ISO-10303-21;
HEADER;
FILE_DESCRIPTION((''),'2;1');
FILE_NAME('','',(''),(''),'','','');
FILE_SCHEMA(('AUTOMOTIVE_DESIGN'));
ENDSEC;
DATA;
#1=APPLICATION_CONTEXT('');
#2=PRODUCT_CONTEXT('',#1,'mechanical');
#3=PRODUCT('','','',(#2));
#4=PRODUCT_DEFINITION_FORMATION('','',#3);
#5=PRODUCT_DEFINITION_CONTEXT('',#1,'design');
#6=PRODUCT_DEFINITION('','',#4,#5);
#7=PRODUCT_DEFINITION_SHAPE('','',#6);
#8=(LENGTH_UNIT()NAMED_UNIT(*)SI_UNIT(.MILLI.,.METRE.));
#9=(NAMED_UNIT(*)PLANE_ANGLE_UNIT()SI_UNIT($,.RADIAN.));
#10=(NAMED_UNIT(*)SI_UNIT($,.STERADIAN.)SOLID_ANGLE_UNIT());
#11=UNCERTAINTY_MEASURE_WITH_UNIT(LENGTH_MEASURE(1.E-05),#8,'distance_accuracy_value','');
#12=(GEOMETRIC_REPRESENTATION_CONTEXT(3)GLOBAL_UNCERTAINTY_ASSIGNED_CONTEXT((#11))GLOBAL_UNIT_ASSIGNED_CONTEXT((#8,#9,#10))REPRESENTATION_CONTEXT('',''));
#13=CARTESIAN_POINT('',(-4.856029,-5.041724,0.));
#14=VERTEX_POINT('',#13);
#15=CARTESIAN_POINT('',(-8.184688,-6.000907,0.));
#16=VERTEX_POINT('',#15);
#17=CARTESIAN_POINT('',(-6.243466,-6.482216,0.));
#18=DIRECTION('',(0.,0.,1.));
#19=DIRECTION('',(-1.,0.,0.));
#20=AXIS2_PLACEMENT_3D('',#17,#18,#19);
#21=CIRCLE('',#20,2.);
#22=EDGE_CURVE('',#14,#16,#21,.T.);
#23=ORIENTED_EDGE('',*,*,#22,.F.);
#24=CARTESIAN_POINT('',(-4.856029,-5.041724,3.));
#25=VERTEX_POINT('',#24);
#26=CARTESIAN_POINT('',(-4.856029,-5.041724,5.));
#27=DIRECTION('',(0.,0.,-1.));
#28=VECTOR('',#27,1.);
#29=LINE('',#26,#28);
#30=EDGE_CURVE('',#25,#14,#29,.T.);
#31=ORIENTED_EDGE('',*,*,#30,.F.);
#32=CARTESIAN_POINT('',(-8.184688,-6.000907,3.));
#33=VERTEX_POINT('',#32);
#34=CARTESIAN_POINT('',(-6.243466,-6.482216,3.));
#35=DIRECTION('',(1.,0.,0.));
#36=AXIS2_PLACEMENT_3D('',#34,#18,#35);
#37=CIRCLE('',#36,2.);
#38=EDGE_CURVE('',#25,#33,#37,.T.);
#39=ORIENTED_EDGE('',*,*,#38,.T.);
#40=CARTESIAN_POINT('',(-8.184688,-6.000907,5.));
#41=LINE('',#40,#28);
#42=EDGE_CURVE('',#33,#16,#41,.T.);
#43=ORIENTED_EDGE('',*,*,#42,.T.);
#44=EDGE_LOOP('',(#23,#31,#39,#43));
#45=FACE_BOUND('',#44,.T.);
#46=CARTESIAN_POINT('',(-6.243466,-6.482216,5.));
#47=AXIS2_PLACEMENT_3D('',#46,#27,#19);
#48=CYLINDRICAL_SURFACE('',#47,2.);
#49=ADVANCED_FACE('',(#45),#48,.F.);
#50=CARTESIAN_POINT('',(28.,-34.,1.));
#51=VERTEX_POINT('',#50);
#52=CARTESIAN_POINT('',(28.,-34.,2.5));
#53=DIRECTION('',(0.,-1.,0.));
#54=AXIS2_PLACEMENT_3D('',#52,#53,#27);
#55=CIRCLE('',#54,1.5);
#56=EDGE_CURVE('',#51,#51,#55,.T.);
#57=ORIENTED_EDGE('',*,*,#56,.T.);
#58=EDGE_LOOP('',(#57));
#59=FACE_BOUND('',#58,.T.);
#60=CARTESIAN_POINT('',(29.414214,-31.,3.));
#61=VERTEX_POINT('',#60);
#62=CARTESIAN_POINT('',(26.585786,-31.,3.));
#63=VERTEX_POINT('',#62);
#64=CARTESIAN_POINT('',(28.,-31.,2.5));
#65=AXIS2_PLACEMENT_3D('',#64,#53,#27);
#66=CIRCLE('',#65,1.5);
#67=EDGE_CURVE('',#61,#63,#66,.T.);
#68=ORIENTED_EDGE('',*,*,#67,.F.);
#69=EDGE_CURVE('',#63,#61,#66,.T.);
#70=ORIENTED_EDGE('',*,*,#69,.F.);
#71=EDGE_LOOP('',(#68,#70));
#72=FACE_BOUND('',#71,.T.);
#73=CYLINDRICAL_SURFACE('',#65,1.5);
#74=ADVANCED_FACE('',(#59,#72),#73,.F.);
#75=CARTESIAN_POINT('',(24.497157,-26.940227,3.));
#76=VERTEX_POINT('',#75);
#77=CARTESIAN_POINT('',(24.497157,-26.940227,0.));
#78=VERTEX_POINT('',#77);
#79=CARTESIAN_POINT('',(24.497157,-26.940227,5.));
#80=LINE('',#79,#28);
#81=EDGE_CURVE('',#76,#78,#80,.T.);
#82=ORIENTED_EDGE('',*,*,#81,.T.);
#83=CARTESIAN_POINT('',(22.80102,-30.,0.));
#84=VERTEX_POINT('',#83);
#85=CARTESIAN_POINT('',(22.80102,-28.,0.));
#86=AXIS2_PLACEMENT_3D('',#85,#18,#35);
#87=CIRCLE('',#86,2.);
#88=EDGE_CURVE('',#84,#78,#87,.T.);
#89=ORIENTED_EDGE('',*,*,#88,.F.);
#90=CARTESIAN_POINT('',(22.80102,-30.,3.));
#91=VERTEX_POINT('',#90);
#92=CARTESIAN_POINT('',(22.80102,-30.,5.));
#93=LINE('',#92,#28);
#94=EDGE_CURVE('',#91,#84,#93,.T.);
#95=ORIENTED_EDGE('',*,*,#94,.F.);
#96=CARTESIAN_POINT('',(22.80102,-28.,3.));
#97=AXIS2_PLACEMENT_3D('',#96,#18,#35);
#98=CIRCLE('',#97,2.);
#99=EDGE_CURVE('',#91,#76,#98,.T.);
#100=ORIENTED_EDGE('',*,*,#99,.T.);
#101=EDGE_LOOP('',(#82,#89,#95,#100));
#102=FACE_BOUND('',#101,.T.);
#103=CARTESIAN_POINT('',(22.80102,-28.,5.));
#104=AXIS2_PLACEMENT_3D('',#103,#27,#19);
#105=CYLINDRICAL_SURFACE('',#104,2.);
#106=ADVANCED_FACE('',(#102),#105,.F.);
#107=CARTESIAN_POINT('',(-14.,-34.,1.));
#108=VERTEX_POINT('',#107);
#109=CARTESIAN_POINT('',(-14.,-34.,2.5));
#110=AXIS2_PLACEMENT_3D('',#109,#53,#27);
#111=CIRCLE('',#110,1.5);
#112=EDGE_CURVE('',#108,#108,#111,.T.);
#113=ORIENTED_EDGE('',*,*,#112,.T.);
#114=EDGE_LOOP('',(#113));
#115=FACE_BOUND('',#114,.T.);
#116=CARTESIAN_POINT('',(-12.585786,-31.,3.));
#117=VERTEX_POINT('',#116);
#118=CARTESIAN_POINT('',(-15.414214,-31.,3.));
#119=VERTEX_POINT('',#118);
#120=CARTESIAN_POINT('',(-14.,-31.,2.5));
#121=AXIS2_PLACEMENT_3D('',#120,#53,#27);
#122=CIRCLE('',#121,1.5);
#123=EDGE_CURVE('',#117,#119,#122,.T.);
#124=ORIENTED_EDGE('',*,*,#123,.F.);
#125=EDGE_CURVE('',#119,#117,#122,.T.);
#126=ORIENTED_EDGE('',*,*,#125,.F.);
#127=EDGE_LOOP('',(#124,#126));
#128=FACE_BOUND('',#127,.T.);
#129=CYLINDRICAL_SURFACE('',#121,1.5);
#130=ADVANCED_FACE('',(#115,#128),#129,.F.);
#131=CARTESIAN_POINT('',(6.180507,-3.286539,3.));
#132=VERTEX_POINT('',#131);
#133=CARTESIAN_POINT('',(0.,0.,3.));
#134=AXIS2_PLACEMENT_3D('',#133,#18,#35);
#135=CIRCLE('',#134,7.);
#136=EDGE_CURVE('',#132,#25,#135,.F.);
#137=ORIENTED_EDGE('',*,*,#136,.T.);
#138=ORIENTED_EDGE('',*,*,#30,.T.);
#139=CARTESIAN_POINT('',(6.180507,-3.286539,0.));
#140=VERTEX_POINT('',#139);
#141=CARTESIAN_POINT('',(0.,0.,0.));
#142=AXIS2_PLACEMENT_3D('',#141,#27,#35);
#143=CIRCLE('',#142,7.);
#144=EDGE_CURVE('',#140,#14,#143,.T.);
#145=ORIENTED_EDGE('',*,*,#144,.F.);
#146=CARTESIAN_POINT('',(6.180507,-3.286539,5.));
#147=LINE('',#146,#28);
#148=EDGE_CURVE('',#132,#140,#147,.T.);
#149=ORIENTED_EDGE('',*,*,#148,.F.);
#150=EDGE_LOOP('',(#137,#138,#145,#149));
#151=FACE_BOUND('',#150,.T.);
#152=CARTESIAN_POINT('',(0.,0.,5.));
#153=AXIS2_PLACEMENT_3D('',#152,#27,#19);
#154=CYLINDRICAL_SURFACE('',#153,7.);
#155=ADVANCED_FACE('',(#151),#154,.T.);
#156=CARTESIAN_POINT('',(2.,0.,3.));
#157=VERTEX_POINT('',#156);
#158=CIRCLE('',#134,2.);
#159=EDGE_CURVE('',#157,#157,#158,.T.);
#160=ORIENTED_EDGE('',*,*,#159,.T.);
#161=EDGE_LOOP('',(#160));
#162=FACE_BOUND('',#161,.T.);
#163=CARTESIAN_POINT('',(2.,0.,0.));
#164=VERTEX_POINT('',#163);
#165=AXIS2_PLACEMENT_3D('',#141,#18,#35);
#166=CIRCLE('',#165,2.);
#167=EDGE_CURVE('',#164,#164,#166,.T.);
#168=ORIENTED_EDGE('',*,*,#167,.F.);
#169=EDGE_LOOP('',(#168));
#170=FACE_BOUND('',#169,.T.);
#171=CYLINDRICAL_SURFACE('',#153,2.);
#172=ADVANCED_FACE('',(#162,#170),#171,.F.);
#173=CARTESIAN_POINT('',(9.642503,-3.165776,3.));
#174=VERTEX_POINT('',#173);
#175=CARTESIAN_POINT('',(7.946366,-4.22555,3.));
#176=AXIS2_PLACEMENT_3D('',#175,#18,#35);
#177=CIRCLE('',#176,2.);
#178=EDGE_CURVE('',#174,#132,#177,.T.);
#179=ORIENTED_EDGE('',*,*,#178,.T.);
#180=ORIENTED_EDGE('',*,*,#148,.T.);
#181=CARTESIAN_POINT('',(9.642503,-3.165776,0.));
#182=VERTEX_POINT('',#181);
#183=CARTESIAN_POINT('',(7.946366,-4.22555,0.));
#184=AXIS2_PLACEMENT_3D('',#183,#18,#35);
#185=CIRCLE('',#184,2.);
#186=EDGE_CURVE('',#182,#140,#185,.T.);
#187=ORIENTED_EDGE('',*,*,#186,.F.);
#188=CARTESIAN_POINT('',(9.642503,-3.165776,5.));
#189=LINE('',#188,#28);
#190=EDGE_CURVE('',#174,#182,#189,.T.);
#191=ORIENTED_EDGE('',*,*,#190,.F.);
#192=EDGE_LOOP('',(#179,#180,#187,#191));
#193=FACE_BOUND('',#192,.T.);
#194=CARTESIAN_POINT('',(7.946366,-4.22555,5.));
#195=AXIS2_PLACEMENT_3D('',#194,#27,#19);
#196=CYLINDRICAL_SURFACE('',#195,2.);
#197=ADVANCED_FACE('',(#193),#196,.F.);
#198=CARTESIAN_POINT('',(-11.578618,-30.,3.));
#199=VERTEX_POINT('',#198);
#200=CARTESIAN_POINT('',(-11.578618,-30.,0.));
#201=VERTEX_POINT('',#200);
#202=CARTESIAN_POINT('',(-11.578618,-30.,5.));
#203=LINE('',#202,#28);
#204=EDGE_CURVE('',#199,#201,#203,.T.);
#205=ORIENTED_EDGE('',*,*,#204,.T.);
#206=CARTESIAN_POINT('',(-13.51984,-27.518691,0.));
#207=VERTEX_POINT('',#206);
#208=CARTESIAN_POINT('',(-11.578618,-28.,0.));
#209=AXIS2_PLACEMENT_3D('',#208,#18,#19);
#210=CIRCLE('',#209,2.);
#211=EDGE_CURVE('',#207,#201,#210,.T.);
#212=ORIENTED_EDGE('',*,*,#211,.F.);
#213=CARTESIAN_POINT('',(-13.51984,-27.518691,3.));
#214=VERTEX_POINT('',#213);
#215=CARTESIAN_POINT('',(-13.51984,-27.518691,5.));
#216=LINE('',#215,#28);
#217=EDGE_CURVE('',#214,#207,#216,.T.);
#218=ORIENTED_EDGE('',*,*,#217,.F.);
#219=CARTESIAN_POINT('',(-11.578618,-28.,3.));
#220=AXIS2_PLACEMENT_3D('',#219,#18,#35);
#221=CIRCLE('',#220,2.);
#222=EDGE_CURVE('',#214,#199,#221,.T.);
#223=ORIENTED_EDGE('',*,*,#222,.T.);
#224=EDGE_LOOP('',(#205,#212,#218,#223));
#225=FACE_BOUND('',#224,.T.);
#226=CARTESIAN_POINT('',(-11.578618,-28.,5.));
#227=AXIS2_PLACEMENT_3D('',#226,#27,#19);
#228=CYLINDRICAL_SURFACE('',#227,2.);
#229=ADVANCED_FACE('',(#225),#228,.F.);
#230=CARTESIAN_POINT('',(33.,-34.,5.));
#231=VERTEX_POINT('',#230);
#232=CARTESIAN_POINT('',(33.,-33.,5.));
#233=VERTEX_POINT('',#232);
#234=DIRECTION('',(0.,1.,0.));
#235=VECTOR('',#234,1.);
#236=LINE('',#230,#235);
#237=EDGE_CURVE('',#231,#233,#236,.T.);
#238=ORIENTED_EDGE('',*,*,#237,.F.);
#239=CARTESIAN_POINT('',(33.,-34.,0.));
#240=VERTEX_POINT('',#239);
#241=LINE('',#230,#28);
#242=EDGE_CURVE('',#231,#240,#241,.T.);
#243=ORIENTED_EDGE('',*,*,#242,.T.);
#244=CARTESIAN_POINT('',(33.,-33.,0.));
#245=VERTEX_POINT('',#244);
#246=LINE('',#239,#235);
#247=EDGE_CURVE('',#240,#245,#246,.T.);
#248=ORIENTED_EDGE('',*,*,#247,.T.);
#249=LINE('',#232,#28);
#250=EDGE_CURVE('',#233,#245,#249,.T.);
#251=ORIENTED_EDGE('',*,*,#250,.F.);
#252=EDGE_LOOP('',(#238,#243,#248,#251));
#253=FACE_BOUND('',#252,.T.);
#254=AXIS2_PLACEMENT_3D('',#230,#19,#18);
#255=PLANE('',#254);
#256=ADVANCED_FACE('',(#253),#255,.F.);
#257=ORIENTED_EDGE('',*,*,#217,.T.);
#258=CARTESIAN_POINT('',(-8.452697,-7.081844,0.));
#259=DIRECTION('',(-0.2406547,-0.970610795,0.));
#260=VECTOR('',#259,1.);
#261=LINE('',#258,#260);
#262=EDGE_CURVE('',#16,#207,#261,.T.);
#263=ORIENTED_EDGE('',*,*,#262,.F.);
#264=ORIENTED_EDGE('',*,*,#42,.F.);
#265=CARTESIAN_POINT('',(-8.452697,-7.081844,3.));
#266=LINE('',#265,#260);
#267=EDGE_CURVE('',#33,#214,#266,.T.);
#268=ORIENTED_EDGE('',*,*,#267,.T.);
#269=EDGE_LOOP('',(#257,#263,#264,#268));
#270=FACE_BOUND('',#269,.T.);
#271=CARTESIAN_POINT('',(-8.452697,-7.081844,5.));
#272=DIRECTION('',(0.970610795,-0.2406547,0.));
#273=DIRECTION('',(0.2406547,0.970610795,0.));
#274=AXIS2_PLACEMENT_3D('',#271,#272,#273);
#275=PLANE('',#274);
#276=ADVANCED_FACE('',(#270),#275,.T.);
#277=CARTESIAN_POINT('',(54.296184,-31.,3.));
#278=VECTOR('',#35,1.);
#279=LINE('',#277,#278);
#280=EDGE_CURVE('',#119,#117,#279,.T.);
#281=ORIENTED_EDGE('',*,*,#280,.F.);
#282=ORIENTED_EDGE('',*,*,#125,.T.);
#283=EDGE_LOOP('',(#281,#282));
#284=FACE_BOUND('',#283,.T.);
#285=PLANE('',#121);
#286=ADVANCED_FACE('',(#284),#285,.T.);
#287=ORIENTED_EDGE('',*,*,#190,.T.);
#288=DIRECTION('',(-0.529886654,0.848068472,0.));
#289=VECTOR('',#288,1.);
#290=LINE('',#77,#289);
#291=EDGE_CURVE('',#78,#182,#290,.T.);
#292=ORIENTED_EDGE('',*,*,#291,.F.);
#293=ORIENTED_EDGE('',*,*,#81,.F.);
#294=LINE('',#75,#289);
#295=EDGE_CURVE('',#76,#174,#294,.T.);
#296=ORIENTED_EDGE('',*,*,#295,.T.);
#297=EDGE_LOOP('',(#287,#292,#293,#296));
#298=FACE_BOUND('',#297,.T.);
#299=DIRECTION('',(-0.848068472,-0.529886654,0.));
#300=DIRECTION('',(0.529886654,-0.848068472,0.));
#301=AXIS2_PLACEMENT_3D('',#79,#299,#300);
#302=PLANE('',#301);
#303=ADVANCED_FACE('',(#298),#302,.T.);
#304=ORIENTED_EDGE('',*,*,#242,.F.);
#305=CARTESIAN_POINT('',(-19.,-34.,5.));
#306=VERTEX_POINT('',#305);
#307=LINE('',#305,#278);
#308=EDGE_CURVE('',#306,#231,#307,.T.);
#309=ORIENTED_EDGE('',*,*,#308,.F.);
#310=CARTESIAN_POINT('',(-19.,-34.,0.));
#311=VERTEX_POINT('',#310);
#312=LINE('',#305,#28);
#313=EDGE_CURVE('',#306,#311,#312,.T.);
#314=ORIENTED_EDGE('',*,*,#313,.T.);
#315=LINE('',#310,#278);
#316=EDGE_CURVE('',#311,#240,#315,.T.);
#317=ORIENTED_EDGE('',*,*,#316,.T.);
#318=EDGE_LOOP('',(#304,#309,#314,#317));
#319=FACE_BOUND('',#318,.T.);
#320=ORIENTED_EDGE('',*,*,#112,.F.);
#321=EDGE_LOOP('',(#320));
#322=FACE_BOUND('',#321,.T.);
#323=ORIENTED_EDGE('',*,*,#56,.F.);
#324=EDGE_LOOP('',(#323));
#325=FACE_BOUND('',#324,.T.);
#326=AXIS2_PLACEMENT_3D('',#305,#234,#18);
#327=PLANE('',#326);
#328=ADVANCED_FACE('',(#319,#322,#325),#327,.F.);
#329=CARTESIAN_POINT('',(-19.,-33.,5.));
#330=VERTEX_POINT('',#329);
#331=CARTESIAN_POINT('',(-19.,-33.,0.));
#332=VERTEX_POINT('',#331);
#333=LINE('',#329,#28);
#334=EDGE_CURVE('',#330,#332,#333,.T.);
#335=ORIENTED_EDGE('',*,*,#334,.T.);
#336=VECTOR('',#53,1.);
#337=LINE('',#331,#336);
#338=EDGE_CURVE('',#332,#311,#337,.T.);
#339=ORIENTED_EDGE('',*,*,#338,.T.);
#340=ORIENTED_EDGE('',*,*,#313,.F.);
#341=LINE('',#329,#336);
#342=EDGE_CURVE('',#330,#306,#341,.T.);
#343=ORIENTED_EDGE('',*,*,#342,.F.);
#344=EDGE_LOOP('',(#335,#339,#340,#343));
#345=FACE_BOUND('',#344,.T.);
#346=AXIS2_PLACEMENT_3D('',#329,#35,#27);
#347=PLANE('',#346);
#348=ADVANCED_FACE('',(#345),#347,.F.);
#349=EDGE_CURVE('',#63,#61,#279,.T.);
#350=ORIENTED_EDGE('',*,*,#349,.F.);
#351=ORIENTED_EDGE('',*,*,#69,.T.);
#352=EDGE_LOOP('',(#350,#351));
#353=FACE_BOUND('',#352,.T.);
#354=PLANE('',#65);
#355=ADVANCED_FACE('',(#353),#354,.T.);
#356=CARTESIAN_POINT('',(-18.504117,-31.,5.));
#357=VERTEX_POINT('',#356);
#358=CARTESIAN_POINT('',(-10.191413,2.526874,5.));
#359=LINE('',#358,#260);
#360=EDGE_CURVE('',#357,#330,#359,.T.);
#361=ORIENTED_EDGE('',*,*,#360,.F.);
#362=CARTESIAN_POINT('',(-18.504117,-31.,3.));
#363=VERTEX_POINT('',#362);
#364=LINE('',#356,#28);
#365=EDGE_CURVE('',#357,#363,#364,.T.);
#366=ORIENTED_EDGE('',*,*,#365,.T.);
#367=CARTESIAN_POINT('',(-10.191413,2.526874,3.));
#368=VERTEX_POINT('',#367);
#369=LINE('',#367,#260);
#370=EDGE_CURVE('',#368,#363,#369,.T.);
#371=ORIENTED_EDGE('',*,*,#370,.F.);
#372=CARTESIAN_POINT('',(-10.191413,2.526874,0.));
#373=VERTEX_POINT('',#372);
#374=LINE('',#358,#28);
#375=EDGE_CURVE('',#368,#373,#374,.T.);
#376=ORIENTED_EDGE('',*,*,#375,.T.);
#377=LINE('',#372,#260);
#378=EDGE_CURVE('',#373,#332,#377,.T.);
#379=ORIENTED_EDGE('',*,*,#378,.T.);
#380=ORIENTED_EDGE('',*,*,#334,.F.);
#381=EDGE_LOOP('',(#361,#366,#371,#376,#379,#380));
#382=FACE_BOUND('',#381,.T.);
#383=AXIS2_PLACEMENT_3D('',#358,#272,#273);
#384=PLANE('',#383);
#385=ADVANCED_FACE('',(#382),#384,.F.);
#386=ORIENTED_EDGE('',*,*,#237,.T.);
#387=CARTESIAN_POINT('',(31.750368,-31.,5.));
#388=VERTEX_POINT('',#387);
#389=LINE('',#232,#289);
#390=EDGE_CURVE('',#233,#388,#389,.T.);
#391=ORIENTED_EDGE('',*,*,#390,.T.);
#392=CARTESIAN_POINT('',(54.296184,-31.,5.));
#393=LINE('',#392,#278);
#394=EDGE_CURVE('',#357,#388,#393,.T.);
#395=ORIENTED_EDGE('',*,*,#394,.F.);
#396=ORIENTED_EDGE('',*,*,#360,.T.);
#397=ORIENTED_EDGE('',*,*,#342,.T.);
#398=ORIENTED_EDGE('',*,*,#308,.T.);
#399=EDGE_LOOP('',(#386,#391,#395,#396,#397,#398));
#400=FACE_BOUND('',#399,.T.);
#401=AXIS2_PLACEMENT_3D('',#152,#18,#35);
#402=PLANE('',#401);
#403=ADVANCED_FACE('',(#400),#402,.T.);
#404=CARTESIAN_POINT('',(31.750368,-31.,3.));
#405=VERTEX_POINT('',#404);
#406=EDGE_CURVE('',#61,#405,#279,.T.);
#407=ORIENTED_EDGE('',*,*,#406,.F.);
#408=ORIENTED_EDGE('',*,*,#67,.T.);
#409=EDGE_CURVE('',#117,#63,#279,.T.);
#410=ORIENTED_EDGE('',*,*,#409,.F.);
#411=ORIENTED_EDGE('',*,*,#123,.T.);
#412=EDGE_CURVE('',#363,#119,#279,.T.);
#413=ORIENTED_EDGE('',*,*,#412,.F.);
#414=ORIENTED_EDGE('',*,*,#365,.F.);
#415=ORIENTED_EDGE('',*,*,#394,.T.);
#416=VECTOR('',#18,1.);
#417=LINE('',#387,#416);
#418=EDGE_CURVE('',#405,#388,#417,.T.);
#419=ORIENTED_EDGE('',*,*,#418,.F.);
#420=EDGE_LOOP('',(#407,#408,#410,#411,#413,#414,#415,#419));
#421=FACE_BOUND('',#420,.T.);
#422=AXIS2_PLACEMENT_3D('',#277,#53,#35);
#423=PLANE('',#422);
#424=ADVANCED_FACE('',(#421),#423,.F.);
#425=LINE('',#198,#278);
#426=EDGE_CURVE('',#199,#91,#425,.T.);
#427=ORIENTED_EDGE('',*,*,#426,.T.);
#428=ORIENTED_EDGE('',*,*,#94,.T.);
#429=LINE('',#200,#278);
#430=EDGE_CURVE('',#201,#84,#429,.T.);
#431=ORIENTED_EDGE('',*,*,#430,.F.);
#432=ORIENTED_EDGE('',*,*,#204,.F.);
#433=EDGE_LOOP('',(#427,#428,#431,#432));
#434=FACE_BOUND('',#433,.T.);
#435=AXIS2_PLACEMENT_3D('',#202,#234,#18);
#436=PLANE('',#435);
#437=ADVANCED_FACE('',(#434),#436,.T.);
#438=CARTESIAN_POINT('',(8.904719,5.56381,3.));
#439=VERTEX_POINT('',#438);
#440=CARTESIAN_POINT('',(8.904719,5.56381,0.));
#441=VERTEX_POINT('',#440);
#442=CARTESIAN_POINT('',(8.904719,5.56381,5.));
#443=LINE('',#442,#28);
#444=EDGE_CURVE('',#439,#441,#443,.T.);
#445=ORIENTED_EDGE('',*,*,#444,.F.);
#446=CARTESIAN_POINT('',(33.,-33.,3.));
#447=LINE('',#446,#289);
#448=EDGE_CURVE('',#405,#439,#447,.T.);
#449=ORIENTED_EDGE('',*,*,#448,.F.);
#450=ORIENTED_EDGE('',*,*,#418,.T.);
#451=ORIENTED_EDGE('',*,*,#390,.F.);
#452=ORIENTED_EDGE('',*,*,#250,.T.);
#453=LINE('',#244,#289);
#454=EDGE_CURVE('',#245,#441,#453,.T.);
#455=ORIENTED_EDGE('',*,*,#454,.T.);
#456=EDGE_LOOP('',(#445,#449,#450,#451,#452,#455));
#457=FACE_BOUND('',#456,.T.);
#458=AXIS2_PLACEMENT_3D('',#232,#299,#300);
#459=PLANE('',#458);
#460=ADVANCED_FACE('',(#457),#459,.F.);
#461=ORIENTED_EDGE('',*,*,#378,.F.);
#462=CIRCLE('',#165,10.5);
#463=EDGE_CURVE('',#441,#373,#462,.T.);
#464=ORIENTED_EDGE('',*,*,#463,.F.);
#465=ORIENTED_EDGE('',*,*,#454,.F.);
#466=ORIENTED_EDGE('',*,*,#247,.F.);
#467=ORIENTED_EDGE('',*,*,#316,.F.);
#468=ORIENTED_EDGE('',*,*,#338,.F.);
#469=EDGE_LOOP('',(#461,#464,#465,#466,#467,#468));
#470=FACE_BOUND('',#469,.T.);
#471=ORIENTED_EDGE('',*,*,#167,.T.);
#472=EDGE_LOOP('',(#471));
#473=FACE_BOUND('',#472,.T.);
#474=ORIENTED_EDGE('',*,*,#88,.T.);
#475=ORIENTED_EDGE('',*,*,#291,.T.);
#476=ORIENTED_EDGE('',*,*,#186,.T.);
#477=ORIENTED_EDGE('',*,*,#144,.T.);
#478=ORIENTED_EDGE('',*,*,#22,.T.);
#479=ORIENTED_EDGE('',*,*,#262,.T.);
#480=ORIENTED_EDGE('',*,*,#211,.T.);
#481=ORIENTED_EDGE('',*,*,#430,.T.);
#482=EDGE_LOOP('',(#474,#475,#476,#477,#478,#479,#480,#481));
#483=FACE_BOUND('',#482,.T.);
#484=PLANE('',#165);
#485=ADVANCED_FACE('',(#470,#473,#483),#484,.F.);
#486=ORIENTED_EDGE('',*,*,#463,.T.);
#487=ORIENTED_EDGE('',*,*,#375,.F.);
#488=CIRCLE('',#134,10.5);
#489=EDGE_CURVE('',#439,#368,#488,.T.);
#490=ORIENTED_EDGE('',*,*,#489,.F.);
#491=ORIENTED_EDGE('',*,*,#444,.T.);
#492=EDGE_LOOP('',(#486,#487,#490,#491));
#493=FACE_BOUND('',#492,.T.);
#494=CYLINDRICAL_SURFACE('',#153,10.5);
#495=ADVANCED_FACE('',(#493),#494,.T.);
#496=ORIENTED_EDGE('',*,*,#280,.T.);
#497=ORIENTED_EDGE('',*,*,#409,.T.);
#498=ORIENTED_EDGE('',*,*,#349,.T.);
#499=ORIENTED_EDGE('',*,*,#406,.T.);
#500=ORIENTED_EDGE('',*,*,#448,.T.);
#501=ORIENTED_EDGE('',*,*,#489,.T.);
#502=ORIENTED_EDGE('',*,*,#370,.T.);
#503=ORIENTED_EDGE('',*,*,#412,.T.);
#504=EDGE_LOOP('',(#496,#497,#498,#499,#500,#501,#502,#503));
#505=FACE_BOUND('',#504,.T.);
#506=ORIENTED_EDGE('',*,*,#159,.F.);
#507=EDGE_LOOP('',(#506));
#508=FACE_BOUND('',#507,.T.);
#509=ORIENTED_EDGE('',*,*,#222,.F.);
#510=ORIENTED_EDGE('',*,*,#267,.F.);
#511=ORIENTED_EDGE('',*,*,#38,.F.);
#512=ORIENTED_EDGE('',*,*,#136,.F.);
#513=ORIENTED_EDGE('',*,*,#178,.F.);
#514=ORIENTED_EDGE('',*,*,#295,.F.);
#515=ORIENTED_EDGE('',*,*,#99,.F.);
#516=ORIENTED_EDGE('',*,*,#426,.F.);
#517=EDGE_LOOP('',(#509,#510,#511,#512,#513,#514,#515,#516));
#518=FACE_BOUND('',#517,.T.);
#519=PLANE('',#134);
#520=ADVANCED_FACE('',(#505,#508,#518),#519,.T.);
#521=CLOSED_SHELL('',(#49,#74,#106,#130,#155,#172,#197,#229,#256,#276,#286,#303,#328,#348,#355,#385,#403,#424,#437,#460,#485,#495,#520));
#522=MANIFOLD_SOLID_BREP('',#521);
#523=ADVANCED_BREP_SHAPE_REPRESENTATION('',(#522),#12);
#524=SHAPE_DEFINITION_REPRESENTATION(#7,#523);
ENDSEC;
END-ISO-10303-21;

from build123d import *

# Parameters (mm, degrees)
SKETCH_1_R          = 2
EXTRUDE_1_DEPTH     = 5
SKETCH_2_W          = 105.590665855
SKETCH_2_H          = 53.734325109
CUT_EXTRUDE_1_DEPTH = 2
SKETCH_4_R          = 1.5
CUT_EXTRUDE_2_DEPTH = 3


with BuildPart() as part:
    # 草图1 → 凸台-拉伸1 (new body)
    with BuildSketch(Plane.XY):
        with BuildLine():
            Line((-10.191413347, 2.526874351), (-19, -33))
            Line((-19, -33), (-19, -34))
            Line((-19, -34), (33, -34))
            Line((33, -34), (33, -33))
            Line((33, -33), (8.904718959, 5.563809869))
            ThreePointArc((8.904718959, 5.563809869), (-1.649133089, 10.369684665), (-10.191413347, 2.526874351))
        make_face()
        Circle(SKETCH_1_R, mode=Mode.SUBTRACT)
        with BuildLine():
            Line((-8.452697078, -7.081843943), (-13.519839571, -27.5186906))
            ThreePointArc((-13.519839571, -27.5186906), (-13.153835237, -29.232351654), (-11.578617982, -30))
            Line((-11.578617982, -30), (22.801020138, -30))
            ThreePointArc((22.801020138, -30), (24.55024091, -28.969652872), (24.497157083, -26.940226692))
            Line((24.497157083, -26.940226692), (9.642502803, -3.165776319))
            ThreePointArc((9.642502803, -3.165776319), (7.876643723, -2.22676529), (6.180506778, -3.286538599))
            ThreePointArc((6.180506778, -3.286538599), (1.099422059, -6.91312311), (-4.856029369, -5.041723789))
            ThreePointArc((-4.856029369, -5.041723789), (-6.797250959, -4.560414389), (-8.184687922, -6.0009069))
            Line((-8.184687922, -6.0009069), (-8.452697078, -7.081843943))
        make_face(mode=Mode.SUBTRACT)
    extrude(amount=EXTRUDE_1_DEPTH)

    # 草图2 → 切除-拉伸1 (cut)
    with BuildSketch(Plane.XY.offset(5)):
        with Locations((1.500851151, -4.132837446)):
            Rectangle(SKETCH_2_W, SKETCH_2_H)
    extrude(amount=-CUT_EXTRUDE_1_DEPTH, mode=Mode.SUBTRACT)

    # 草图4 → 切除-拉伸2 (cut)
    with BuildSketch(Plane(origin=(0, -34, 0), x_dir=(-1, 0, 0), z_dir=(0, -1, 0))):
        with Locations(Location((14, -2.5, 0), (0, 0, 90))):
            Circle(SKETCH_4_R)
        with Locations(Location((-28, -2.5, 0), (0, 0, 90))):
            Circle(SKETCH_4_R)
    extrude(amount=-CUT_EXTRUDE_2_DEPTH, mode=Mode.SUBTRACT)


solid = part.part
